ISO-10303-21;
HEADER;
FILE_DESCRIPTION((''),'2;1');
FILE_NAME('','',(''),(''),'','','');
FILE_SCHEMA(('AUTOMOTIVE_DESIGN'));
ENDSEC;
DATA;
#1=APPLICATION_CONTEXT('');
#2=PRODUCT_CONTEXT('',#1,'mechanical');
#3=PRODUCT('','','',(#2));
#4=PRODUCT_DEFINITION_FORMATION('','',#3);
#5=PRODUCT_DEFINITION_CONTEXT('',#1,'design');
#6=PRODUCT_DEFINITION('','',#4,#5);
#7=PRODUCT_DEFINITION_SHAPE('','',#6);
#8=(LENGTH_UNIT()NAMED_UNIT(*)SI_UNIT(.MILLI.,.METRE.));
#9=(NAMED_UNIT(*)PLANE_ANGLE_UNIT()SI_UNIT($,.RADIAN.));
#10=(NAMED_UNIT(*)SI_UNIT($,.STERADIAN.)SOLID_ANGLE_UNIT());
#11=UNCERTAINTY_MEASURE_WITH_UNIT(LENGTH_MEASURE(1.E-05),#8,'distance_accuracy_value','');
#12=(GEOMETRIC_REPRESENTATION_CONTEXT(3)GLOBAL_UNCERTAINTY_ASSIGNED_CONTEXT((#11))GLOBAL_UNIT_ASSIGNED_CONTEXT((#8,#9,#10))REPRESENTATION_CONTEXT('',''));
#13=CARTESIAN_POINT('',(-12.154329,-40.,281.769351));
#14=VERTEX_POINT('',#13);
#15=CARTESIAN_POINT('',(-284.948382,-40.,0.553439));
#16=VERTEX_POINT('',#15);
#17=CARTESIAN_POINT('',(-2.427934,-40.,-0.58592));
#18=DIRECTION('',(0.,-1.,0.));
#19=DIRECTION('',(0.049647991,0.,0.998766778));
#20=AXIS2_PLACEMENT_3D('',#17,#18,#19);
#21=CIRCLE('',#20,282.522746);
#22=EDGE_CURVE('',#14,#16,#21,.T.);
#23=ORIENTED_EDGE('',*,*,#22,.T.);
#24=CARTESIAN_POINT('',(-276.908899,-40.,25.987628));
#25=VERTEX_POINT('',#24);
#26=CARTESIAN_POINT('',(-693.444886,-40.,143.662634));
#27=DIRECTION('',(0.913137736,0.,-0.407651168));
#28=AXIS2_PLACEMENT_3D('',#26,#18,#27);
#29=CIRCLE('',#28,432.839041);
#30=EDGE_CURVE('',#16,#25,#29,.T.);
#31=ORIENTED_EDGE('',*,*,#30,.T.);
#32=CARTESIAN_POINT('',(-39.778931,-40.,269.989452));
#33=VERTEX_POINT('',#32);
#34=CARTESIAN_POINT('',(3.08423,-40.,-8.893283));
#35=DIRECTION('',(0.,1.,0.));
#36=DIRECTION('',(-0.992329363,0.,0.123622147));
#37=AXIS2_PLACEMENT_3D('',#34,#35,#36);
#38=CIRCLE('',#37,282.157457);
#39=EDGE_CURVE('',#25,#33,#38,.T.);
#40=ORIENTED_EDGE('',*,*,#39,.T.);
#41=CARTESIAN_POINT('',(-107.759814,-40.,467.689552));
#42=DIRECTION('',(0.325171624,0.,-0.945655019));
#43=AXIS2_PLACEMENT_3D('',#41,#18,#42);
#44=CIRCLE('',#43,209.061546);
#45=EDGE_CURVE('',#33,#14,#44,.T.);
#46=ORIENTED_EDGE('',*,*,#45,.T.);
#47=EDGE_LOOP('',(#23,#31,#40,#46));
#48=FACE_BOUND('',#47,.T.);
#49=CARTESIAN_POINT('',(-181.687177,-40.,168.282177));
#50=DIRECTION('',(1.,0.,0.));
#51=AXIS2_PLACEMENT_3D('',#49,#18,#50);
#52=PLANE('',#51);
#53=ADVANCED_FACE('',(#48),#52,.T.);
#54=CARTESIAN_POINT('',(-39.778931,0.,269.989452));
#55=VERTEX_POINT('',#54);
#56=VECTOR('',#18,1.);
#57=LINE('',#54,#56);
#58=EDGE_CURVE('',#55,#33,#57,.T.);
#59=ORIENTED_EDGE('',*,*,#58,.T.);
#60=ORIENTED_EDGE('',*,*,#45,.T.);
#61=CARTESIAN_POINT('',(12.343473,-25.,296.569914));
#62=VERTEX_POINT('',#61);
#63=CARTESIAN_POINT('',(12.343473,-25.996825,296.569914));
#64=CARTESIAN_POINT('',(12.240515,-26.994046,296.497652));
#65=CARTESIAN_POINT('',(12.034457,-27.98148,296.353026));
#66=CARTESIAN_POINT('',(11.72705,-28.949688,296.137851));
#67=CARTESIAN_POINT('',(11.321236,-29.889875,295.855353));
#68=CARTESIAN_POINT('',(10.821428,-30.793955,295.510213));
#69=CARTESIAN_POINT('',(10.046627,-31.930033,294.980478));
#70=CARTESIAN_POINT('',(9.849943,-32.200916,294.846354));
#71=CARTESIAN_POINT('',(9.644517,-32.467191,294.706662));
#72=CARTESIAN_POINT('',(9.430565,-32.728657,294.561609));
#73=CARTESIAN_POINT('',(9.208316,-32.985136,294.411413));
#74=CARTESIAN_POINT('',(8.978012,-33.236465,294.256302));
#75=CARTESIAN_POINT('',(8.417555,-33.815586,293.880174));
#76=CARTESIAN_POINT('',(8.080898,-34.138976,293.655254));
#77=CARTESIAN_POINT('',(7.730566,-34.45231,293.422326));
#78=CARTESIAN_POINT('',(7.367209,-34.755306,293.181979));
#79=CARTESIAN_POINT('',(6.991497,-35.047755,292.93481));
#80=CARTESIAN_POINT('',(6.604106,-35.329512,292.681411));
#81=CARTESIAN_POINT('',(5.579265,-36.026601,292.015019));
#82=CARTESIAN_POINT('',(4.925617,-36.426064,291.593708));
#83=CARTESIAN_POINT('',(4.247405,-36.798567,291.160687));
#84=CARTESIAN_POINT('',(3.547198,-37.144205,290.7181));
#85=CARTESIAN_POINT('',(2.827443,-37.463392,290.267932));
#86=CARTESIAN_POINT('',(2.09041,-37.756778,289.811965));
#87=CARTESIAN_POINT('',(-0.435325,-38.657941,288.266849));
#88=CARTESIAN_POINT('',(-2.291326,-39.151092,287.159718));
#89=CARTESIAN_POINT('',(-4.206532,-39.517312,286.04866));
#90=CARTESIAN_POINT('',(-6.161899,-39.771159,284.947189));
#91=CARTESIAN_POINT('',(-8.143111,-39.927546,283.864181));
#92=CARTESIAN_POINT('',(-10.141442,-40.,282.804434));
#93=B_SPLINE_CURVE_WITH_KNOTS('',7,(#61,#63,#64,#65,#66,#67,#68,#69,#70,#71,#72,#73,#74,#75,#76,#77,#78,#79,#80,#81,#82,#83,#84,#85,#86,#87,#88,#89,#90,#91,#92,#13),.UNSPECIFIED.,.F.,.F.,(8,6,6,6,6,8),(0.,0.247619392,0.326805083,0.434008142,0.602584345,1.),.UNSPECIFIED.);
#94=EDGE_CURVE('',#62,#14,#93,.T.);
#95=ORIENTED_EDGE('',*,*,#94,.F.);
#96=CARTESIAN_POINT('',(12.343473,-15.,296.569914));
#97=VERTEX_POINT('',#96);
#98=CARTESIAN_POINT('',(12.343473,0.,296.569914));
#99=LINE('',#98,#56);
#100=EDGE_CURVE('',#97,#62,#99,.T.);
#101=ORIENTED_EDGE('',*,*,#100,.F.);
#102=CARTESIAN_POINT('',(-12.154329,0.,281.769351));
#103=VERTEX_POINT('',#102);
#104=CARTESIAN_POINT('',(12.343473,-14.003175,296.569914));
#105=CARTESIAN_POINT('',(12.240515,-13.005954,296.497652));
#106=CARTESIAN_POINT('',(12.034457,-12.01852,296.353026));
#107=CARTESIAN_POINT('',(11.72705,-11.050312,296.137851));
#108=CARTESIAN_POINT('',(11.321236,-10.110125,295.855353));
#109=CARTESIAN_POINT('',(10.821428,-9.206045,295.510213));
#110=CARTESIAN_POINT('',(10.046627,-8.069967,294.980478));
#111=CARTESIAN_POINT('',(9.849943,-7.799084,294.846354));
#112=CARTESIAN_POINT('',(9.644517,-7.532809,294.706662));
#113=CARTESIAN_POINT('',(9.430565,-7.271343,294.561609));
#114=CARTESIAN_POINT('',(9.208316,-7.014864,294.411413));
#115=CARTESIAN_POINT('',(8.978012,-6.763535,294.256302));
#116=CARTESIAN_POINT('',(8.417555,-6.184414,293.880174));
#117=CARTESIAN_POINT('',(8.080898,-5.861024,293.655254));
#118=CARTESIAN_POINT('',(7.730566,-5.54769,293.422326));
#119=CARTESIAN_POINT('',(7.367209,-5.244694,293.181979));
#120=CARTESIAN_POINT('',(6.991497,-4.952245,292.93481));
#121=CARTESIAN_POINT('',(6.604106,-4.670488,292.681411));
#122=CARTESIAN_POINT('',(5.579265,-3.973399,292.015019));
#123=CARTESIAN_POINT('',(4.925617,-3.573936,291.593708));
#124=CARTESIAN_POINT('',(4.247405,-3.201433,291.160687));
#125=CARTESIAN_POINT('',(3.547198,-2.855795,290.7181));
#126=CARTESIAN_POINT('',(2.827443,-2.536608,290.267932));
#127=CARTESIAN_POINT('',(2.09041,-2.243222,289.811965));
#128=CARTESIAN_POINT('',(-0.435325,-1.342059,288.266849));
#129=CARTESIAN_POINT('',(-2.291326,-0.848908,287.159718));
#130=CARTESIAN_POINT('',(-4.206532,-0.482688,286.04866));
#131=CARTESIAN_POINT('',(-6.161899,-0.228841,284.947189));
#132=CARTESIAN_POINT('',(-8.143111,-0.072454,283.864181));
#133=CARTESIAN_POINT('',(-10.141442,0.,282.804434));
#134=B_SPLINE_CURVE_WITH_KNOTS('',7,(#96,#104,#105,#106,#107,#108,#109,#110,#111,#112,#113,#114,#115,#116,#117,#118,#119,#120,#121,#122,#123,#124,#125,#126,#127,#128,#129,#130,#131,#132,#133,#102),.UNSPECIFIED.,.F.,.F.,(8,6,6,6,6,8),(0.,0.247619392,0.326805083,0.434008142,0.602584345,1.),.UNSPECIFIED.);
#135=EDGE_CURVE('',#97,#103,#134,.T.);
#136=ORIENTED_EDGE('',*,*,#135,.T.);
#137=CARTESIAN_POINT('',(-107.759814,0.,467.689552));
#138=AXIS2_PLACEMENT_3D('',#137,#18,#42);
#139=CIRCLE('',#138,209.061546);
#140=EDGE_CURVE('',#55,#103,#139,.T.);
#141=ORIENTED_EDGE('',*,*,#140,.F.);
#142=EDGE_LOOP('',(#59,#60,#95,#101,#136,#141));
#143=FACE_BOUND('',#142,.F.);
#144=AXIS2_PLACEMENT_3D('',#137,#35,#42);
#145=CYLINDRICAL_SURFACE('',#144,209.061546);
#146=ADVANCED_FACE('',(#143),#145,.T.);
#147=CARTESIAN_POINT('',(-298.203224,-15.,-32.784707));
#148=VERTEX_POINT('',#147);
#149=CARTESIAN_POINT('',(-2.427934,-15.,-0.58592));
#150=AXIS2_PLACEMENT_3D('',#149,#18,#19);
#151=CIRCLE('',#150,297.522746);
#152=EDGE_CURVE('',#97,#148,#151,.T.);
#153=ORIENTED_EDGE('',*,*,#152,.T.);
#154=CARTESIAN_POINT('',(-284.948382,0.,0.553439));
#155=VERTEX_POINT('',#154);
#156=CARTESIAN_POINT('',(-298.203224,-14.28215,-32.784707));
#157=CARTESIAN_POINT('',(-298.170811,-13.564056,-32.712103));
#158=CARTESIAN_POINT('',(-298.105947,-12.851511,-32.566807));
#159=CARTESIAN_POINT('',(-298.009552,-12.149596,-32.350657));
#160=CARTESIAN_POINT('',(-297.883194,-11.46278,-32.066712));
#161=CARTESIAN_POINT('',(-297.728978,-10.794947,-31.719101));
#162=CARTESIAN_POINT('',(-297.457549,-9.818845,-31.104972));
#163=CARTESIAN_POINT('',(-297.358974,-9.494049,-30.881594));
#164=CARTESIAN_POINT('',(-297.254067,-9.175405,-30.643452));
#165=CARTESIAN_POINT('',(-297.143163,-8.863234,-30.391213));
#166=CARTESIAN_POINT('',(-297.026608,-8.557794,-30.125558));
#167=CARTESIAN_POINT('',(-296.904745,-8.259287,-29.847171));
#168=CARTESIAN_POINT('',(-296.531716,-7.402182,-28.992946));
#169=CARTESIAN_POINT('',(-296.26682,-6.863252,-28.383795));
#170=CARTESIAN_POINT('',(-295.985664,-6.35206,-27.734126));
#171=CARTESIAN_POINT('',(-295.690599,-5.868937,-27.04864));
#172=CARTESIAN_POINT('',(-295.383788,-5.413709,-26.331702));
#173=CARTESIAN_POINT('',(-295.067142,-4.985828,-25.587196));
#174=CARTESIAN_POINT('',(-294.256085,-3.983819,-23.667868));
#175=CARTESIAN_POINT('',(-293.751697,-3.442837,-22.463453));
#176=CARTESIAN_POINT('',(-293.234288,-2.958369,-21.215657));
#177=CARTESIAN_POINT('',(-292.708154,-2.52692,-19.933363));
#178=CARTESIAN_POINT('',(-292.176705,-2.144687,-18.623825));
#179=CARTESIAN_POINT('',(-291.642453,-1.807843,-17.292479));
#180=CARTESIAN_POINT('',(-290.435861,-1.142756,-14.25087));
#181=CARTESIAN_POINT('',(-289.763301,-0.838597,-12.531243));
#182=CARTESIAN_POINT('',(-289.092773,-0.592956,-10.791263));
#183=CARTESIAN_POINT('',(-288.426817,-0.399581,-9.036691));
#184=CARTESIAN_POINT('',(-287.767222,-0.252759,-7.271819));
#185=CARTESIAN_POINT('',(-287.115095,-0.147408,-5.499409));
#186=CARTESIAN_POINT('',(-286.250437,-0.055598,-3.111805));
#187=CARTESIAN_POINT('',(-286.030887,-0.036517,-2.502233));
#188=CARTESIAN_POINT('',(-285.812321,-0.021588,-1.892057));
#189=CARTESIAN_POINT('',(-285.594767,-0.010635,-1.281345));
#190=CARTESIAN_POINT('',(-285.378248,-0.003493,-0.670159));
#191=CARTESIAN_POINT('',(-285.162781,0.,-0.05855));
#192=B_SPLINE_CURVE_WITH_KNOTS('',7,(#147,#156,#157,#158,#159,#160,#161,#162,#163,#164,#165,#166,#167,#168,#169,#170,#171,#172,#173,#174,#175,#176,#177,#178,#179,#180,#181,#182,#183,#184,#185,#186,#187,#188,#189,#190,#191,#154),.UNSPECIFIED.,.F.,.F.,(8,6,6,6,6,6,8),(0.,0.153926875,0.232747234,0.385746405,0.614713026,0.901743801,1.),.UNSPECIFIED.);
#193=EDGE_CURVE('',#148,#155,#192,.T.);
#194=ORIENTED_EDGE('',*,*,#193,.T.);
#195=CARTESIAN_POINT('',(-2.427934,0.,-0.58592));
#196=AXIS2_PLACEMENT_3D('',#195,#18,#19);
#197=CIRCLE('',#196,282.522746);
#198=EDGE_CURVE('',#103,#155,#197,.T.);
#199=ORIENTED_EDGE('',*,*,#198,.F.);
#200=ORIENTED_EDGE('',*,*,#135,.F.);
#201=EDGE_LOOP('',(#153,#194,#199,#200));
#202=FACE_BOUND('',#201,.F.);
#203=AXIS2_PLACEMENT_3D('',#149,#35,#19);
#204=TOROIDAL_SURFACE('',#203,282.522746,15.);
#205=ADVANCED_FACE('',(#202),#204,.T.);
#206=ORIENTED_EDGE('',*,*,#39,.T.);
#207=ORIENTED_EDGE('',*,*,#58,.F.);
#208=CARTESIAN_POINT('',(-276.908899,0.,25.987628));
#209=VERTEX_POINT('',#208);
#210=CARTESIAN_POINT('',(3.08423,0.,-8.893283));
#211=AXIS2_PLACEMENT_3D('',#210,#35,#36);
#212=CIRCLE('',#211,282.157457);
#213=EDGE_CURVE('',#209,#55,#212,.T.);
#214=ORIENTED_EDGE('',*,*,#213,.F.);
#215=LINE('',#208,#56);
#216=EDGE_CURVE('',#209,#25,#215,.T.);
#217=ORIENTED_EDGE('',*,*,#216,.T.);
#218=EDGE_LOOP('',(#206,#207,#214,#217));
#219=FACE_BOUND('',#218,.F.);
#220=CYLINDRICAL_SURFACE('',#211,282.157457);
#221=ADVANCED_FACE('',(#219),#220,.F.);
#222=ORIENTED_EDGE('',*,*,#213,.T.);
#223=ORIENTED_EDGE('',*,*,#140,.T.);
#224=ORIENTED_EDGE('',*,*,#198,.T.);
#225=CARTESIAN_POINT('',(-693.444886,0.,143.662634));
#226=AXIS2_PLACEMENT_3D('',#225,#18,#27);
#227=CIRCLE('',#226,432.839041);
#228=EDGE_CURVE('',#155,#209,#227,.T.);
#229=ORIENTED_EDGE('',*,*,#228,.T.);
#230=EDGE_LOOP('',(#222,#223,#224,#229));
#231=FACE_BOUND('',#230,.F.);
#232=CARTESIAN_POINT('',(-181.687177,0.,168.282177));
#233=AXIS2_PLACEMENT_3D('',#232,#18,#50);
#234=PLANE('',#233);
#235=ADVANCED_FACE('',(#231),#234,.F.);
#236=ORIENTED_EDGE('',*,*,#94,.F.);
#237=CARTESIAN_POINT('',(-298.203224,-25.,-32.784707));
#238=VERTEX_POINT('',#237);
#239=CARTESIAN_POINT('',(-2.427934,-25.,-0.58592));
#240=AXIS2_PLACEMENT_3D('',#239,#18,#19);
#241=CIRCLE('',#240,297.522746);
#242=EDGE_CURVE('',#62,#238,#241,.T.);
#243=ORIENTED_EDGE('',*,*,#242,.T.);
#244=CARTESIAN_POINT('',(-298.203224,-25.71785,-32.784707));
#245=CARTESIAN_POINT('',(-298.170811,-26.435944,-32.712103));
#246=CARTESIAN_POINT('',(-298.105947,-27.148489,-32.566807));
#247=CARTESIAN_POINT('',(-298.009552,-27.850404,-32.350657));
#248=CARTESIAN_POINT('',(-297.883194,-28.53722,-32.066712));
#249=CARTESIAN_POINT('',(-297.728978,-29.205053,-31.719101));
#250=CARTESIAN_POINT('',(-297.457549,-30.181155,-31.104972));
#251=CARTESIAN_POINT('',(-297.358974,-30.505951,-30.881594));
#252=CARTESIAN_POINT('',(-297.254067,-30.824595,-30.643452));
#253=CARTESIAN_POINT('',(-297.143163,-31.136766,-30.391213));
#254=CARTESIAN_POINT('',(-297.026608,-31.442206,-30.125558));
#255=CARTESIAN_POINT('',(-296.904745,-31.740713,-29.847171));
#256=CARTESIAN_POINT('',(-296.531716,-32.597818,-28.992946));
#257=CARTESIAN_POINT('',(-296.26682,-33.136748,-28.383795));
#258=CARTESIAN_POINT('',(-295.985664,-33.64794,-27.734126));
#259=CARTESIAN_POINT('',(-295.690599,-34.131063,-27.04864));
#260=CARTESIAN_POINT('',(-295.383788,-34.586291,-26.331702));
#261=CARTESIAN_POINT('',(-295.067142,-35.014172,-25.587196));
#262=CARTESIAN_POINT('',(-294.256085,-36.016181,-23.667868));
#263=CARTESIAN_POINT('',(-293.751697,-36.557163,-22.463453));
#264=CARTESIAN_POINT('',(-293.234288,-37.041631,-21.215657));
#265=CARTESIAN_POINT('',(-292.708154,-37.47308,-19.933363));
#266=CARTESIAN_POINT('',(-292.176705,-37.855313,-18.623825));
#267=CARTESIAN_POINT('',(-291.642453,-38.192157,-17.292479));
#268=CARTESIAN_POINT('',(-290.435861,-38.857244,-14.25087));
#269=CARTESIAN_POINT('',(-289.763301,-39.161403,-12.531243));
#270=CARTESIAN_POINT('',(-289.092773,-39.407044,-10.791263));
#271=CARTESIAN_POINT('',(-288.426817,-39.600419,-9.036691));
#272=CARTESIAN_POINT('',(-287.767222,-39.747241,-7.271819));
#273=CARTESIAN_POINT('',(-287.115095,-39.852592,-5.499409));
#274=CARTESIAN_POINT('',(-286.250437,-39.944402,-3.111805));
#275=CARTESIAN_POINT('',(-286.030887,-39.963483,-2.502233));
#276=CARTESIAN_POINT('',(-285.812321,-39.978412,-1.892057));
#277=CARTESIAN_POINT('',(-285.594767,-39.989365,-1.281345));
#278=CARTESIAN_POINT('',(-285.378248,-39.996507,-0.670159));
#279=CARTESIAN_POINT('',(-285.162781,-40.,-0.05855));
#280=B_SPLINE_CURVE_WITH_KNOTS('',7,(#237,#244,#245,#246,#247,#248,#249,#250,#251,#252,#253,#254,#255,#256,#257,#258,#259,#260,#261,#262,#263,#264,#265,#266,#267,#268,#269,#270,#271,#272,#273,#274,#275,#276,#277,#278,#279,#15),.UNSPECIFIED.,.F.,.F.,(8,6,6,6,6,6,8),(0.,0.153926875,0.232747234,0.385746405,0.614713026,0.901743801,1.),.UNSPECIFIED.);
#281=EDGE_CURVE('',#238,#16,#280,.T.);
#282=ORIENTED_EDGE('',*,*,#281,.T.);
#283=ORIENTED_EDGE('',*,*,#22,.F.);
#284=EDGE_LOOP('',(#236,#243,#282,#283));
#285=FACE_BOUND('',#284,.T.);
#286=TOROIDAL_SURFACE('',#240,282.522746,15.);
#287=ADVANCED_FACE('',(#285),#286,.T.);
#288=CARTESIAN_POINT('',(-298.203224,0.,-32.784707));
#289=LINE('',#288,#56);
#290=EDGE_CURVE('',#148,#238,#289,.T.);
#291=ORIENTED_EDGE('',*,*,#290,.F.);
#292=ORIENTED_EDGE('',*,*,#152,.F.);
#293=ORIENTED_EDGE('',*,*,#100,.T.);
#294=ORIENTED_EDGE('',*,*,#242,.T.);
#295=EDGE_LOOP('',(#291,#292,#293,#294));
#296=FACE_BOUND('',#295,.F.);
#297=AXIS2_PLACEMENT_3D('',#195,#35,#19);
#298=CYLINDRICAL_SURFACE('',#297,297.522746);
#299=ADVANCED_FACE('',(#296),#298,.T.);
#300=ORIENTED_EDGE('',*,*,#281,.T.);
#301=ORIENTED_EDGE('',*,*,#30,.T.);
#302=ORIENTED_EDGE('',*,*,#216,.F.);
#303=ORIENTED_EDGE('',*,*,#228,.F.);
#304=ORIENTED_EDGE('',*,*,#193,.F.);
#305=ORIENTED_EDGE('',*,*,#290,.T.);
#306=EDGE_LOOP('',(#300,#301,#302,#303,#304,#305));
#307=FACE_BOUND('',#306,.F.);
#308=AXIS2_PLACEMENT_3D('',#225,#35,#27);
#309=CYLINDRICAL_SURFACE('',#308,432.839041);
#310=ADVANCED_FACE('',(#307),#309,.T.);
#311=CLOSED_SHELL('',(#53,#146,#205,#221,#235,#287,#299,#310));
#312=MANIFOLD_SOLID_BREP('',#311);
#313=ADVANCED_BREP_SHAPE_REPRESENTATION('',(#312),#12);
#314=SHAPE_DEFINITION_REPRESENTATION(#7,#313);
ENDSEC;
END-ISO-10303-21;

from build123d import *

# Parameters (mm, degrees)
F1_DEPTH = 40
F2_R     = 15


with BuildPart() as f1:
    # F0 (on Front) → F1 (new body)
    with BuildSketch(Plane.XZ):
        with BuildLine():
            ThreePointArc((-276.908899, 25.987628), (-199.2602, 187.752495), (-39.778931, 269.989452))
            ThreePointArc((-39.778931, 269.989452), (-12.78327, 281.447274), (12.343473, 296.569914))
            ThreePointArc((12.343473, 296.569914), (-218.898283, 203.522806), (-298.203224, -32.784707))
            ThreePointArc((-298.203224, -32.784707), (-286.493679, -3.78346), (-276.908899, 25.987628))
        make_face()
    extrude(amount=F1_DEPTH)

    # F2
    f2_edges = [f1.edges().sort_by_distance(p)[0] for p in [
        (-218.898283, 0, 203.522806),
        (-218.898283, -40, 203.522806),
    ]]
    fillet(f2_edges, radius=F2_R)


solid = f1.part
